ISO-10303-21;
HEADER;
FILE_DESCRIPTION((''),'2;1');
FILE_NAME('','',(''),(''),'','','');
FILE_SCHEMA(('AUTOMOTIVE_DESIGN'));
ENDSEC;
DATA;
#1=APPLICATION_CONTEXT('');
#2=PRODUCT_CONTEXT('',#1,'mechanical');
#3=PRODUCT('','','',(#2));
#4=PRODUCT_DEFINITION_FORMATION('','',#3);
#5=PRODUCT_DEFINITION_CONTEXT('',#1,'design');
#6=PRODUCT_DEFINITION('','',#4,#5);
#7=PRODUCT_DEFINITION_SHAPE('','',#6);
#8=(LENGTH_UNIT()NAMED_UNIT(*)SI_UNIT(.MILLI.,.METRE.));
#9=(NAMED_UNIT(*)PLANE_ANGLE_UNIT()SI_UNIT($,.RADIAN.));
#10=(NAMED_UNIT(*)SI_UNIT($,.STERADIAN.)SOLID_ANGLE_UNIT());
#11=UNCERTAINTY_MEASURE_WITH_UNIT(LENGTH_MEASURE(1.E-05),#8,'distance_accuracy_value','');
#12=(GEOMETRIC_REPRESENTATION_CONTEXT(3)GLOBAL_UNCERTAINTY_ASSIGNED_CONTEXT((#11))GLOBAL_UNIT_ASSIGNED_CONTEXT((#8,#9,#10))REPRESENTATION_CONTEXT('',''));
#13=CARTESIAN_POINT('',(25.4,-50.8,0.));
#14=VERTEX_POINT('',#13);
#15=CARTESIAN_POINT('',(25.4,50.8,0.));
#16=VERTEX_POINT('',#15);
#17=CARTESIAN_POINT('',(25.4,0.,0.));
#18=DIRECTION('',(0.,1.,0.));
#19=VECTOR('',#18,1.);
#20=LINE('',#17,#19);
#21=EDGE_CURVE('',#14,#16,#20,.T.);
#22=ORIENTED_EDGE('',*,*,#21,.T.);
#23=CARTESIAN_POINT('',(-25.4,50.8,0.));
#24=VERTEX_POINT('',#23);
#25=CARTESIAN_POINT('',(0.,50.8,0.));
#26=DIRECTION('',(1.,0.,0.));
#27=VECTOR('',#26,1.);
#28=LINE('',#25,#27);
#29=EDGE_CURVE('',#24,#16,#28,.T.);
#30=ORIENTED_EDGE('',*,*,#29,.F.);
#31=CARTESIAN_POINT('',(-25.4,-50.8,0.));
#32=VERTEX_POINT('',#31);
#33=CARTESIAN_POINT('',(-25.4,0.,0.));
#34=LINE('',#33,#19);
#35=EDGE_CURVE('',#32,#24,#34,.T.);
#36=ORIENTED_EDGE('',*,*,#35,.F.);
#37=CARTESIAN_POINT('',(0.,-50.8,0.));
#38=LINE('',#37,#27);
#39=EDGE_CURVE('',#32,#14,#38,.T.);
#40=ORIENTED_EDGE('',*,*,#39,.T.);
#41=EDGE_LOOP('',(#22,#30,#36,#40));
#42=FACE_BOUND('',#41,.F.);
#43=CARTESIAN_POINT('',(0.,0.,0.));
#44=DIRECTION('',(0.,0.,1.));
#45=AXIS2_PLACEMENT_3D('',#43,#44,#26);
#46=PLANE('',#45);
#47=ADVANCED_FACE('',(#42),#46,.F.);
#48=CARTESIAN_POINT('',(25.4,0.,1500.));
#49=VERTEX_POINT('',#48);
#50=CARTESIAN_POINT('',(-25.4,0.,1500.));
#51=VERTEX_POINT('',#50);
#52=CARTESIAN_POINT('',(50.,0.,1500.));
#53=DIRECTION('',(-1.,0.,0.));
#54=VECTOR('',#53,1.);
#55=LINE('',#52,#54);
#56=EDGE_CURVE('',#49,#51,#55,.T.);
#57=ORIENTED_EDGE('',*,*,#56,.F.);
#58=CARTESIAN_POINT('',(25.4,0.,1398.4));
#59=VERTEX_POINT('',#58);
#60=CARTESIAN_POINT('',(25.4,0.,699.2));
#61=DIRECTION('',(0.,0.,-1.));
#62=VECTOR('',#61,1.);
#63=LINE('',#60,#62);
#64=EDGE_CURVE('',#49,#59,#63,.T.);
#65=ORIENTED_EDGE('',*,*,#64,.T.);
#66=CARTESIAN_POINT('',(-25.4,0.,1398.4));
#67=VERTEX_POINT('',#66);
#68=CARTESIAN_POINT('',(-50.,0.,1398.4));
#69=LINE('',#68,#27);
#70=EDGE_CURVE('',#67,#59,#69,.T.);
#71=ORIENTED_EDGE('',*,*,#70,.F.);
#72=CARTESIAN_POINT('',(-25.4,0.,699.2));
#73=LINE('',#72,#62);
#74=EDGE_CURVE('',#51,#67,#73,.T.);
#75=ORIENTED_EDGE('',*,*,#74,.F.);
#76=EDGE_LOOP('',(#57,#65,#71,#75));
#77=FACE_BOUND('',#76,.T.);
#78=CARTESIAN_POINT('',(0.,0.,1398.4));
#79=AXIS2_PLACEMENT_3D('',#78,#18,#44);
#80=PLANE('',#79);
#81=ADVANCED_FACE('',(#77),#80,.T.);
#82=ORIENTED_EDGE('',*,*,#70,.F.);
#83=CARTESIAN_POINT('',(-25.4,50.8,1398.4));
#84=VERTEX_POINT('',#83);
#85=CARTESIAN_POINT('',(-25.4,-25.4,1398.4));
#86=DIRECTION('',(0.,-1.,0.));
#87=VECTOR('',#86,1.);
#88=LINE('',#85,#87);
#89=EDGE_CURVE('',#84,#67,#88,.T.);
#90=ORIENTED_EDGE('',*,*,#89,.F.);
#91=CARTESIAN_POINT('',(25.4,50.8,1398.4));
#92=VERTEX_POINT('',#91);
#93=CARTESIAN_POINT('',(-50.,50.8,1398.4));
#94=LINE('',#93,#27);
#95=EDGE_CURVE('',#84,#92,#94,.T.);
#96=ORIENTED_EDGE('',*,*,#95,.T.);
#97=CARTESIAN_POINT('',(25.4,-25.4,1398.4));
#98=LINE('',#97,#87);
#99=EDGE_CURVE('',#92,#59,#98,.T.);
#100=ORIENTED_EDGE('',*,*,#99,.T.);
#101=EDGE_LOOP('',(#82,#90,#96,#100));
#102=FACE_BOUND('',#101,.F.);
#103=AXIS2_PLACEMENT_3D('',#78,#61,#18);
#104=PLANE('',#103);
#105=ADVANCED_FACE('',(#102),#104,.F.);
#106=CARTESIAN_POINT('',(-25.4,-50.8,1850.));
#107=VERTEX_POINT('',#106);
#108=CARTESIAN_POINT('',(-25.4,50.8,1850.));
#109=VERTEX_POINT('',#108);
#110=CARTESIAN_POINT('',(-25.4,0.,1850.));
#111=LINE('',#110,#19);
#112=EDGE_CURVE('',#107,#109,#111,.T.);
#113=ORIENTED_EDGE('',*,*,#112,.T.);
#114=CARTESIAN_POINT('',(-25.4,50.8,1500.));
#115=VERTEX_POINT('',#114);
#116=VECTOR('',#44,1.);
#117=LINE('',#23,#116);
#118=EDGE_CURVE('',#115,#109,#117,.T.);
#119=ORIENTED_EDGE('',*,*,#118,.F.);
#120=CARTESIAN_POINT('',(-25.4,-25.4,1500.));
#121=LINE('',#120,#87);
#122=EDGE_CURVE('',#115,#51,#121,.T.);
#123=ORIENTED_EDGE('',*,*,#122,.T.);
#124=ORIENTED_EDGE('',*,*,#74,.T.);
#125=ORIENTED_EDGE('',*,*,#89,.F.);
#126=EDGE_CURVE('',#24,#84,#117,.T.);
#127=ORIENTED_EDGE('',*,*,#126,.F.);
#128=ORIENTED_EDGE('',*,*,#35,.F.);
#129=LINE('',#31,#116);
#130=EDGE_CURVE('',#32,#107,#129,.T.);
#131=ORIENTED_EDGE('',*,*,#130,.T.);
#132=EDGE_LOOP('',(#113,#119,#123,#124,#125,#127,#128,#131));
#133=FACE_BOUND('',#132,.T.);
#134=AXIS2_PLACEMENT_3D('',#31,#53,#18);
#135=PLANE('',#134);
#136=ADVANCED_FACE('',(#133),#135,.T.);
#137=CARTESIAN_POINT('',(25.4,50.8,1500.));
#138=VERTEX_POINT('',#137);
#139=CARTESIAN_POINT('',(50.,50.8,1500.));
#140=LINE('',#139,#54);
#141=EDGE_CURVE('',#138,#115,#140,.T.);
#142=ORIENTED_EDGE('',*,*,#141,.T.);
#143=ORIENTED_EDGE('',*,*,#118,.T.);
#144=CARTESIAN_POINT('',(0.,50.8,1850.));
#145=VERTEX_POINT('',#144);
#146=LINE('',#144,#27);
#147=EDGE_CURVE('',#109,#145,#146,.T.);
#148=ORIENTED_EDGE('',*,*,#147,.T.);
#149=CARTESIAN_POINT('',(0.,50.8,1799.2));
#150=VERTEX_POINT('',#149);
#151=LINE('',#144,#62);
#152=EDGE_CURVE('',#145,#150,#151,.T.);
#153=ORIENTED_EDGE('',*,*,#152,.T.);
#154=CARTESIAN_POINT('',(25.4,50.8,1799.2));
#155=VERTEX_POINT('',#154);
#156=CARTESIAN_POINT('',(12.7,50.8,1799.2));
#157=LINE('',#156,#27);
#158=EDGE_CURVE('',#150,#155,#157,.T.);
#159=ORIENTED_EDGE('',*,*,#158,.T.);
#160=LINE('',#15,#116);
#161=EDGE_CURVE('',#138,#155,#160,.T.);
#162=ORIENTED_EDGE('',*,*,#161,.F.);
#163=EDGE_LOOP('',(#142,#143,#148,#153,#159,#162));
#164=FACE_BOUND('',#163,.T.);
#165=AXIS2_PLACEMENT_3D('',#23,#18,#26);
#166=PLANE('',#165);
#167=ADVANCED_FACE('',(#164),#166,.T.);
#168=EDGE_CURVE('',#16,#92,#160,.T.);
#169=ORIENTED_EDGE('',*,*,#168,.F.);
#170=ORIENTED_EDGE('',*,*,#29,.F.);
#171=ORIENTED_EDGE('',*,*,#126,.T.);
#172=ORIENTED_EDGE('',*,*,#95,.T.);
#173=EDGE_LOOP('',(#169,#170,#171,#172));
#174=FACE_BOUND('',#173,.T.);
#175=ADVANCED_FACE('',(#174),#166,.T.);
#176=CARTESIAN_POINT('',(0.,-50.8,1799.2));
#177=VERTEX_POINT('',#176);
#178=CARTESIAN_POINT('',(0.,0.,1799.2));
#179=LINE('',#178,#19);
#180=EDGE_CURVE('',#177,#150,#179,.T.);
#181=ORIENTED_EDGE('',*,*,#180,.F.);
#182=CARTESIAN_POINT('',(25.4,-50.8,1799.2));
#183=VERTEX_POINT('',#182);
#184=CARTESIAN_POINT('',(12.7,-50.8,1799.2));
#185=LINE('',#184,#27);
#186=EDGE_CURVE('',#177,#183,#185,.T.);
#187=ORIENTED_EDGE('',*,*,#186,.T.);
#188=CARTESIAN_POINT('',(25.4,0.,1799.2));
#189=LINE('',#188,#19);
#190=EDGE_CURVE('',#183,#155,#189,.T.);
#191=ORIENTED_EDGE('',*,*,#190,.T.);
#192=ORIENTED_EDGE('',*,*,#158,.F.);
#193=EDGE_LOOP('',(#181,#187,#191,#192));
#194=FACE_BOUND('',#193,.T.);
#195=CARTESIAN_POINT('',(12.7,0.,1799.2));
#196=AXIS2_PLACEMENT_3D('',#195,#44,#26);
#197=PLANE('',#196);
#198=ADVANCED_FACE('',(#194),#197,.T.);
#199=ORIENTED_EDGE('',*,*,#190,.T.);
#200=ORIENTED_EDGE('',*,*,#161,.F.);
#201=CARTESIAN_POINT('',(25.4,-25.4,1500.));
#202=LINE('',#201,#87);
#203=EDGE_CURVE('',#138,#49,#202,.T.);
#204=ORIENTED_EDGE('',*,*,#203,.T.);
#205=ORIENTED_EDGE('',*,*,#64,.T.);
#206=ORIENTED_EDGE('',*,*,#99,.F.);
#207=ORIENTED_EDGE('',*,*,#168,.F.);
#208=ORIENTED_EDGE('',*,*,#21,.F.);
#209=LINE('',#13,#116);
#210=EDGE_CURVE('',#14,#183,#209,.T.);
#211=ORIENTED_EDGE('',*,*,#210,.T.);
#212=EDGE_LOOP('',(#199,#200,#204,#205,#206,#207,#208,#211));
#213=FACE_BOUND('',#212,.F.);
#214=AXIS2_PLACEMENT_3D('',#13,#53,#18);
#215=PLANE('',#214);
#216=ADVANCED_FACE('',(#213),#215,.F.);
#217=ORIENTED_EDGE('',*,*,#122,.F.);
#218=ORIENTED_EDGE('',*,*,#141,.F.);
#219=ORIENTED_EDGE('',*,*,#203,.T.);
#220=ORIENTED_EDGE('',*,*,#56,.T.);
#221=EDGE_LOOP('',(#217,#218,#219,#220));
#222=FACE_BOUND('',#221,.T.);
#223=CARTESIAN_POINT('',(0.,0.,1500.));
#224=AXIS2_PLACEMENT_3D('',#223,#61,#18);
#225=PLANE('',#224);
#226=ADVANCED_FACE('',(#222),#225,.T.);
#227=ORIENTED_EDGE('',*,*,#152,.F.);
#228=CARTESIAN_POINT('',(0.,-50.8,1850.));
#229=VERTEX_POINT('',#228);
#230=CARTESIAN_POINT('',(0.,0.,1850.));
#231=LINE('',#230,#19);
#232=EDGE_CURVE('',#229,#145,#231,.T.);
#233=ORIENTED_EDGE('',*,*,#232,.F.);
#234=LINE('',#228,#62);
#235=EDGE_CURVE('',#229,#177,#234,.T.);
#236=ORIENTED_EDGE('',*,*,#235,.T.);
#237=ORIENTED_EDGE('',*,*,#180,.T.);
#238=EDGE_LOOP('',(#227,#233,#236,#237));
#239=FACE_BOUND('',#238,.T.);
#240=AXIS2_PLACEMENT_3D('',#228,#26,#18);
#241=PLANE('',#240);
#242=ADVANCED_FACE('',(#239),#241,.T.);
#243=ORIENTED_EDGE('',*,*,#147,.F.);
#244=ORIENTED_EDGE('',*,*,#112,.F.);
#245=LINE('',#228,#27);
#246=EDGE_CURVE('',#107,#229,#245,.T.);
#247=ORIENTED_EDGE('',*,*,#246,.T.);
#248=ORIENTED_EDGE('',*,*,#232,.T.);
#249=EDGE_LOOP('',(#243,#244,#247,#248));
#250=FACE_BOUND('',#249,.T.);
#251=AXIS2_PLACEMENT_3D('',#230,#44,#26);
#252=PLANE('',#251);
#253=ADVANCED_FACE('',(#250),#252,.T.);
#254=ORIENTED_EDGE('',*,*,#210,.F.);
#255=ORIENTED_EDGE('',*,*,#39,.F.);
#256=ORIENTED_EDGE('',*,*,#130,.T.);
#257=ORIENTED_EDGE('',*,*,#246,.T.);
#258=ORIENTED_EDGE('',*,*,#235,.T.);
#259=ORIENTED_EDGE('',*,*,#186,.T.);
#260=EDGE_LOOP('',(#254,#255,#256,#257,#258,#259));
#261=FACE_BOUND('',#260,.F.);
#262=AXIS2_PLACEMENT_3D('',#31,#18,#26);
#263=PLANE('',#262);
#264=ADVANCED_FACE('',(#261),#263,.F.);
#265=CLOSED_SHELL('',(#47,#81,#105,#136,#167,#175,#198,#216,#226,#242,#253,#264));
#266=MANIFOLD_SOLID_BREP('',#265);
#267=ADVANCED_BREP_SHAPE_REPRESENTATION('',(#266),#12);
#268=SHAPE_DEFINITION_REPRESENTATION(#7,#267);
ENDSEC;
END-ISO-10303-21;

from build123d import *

# Parameters (mm, degrees)
F0_W     = 50.8
F0_H     = 101.6
F1_DEPTH = 1850
F2_W     = 50.8
F2_H     = 101.6
F3_DEPTH = 50
F4_W     = 25.4
F4_H     = 101.6
F5_DEPTH = 50.8


with BuildPart() as f1:
    # F0 (on Top) → F1 (new body)
    with BuildSketch(Plane.XY):
        Rectangle(F0_W, F0_H)
    extrude(amount=F1_DEPTH)

    # F2 (on Right) → F3 (cut, symmetric)
    with BuildSketch(Plane.YZ):
        with Locations((25.4, 1449.2)):
            Rectangle(F2_W, F2_H)
    extrude(amount=F3_DEPTH, both=True, mode=Mode.SUBTRACT)

    # F4 (on face) → F5 (cut)
    with BuildSketch(Plane.XY.offset(1850)):
        with Locations((12.7, 0)):
            Rectangle(F4_W, F4_H)
    extrude(amount=-F5_DEPTH, mode=Mode.SUBTRACT)


solid = f1.part
